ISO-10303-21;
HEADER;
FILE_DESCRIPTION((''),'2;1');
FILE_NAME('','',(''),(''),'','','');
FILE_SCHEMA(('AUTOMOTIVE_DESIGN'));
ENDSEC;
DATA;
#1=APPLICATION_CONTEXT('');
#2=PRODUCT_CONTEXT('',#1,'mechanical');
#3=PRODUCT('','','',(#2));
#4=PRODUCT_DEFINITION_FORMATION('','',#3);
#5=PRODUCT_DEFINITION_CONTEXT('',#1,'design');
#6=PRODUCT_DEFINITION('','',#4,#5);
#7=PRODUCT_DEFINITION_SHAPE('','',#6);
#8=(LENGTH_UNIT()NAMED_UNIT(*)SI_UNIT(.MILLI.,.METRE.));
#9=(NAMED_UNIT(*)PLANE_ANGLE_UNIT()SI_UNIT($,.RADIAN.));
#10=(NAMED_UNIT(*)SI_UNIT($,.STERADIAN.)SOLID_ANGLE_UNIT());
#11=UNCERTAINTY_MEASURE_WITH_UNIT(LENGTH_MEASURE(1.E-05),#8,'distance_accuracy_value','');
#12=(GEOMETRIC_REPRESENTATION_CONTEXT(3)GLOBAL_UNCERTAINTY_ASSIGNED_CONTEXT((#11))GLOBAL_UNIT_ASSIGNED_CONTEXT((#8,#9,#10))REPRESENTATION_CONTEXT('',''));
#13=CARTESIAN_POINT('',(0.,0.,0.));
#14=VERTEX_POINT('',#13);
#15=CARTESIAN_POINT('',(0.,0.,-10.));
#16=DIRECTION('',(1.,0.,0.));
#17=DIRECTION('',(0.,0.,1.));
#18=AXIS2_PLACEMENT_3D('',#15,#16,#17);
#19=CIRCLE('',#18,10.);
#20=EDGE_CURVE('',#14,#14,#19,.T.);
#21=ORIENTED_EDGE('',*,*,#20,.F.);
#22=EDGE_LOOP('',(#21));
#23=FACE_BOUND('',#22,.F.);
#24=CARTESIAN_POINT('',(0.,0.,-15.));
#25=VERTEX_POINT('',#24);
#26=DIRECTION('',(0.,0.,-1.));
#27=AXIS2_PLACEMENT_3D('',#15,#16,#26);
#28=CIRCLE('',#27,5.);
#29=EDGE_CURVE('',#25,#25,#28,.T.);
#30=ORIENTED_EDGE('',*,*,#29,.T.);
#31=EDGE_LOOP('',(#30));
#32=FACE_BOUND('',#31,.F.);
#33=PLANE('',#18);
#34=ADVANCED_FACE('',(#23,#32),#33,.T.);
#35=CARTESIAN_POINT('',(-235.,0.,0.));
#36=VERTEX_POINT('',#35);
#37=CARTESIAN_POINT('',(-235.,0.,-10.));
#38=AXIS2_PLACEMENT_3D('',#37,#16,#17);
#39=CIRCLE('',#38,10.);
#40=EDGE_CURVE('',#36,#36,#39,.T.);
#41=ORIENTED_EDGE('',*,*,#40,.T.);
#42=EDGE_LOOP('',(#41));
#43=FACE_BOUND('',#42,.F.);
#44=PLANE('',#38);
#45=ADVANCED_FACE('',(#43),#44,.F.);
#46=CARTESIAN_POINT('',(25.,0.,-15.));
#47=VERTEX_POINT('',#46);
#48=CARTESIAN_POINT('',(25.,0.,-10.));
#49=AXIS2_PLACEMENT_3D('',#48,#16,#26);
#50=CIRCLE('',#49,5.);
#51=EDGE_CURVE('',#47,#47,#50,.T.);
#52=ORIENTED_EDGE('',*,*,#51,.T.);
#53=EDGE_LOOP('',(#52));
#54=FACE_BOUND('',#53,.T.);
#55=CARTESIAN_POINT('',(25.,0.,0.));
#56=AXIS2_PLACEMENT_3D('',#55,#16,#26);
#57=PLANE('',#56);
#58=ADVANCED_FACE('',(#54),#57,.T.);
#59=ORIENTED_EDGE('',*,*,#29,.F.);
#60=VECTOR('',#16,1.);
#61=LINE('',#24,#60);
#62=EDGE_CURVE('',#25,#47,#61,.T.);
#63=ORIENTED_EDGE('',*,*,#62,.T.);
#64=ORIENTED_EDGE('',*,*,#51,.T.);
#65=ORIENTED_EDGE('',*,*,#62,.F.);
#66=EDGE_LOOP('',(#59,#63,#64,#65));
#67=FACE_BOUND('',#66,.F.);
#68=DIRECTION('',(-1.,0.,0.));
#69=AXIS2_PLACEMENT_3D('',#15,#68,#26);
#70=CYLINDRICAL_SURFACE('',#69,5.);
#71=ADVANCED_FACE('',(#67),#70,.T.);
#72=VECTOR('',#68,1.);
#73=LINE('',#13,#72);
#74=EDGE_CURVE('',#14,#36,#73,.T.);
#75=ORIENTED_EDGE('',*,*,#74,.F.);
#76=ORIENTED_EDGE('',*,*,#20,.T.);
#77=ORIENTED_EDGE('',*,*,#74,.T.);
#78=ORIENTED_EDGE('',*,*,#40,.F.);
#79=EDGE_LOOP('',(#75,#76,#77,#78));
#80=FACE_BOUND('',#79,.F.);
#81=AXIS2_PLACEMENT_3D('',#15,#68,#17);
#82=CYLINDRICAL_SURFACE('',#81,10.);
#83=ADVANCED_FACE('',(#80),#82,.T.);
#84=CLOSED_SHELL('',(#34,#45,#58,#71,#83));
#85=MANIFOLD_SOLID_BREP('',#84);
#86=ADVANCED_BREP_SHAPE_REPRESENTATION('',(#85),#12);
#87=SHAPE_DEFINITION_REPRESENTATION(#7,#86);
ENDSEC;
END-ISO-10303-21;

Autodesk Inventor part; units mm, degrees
ref_plane "YZ Plane" through (0, 0, 0) normal (1, 0, 0) x (0, 1, 0)
ref_plane "XZ Plane" through (0, 0, 0) normal (0, 1, 0) x (-1, 0, 0)
sketch "Boceto1" plane through (0, 0, 0) normal (0, 1, 0) x (-1, 0, 0)
  line L0 (0, 0) -> (235, 0)
  line L1 (235, 0) -> (235, -10)
  line L2 (235, -20) -> (0, -20) construction
  line L3 (0, -20) -> (0, -10) construction
  line L4 (235, -10) -> (0, -10)
  line L5 (235, -10) -> (235, -20) construction
  line L6 (0, -10) -> (0, 0)
  dimension "d0" = 20
  dimension "d1" = 235
ref_plane "Plano de trabajo2" through (0, 0, 0) normal (1, 0, 0) x (0, 0, -1)
revolve "Revolución1" add sketch "Boceto1" angle 360 about axis through (-235, 0, -10) along (1, 0, 0)
sketch "Boceto4" plane through (0, 0, 0) normal (1, 0, 0) x (0, 0, -1)
  circle A0 centre (10, 0) radius 5
  circle A1 centre (10, 0) radius 10 construction
  point P0 (0, 0)
  dimension "d23" = 10
extrude "Extrusión5" add sketch "Boceto4" along normal blind 25
thread "Rosca4" size "M10x1.5" class "6g" standard "ANSI Metric M Profile" full length
properties part number "brazos_planetarios1" material "Acetal Resin, Black"
